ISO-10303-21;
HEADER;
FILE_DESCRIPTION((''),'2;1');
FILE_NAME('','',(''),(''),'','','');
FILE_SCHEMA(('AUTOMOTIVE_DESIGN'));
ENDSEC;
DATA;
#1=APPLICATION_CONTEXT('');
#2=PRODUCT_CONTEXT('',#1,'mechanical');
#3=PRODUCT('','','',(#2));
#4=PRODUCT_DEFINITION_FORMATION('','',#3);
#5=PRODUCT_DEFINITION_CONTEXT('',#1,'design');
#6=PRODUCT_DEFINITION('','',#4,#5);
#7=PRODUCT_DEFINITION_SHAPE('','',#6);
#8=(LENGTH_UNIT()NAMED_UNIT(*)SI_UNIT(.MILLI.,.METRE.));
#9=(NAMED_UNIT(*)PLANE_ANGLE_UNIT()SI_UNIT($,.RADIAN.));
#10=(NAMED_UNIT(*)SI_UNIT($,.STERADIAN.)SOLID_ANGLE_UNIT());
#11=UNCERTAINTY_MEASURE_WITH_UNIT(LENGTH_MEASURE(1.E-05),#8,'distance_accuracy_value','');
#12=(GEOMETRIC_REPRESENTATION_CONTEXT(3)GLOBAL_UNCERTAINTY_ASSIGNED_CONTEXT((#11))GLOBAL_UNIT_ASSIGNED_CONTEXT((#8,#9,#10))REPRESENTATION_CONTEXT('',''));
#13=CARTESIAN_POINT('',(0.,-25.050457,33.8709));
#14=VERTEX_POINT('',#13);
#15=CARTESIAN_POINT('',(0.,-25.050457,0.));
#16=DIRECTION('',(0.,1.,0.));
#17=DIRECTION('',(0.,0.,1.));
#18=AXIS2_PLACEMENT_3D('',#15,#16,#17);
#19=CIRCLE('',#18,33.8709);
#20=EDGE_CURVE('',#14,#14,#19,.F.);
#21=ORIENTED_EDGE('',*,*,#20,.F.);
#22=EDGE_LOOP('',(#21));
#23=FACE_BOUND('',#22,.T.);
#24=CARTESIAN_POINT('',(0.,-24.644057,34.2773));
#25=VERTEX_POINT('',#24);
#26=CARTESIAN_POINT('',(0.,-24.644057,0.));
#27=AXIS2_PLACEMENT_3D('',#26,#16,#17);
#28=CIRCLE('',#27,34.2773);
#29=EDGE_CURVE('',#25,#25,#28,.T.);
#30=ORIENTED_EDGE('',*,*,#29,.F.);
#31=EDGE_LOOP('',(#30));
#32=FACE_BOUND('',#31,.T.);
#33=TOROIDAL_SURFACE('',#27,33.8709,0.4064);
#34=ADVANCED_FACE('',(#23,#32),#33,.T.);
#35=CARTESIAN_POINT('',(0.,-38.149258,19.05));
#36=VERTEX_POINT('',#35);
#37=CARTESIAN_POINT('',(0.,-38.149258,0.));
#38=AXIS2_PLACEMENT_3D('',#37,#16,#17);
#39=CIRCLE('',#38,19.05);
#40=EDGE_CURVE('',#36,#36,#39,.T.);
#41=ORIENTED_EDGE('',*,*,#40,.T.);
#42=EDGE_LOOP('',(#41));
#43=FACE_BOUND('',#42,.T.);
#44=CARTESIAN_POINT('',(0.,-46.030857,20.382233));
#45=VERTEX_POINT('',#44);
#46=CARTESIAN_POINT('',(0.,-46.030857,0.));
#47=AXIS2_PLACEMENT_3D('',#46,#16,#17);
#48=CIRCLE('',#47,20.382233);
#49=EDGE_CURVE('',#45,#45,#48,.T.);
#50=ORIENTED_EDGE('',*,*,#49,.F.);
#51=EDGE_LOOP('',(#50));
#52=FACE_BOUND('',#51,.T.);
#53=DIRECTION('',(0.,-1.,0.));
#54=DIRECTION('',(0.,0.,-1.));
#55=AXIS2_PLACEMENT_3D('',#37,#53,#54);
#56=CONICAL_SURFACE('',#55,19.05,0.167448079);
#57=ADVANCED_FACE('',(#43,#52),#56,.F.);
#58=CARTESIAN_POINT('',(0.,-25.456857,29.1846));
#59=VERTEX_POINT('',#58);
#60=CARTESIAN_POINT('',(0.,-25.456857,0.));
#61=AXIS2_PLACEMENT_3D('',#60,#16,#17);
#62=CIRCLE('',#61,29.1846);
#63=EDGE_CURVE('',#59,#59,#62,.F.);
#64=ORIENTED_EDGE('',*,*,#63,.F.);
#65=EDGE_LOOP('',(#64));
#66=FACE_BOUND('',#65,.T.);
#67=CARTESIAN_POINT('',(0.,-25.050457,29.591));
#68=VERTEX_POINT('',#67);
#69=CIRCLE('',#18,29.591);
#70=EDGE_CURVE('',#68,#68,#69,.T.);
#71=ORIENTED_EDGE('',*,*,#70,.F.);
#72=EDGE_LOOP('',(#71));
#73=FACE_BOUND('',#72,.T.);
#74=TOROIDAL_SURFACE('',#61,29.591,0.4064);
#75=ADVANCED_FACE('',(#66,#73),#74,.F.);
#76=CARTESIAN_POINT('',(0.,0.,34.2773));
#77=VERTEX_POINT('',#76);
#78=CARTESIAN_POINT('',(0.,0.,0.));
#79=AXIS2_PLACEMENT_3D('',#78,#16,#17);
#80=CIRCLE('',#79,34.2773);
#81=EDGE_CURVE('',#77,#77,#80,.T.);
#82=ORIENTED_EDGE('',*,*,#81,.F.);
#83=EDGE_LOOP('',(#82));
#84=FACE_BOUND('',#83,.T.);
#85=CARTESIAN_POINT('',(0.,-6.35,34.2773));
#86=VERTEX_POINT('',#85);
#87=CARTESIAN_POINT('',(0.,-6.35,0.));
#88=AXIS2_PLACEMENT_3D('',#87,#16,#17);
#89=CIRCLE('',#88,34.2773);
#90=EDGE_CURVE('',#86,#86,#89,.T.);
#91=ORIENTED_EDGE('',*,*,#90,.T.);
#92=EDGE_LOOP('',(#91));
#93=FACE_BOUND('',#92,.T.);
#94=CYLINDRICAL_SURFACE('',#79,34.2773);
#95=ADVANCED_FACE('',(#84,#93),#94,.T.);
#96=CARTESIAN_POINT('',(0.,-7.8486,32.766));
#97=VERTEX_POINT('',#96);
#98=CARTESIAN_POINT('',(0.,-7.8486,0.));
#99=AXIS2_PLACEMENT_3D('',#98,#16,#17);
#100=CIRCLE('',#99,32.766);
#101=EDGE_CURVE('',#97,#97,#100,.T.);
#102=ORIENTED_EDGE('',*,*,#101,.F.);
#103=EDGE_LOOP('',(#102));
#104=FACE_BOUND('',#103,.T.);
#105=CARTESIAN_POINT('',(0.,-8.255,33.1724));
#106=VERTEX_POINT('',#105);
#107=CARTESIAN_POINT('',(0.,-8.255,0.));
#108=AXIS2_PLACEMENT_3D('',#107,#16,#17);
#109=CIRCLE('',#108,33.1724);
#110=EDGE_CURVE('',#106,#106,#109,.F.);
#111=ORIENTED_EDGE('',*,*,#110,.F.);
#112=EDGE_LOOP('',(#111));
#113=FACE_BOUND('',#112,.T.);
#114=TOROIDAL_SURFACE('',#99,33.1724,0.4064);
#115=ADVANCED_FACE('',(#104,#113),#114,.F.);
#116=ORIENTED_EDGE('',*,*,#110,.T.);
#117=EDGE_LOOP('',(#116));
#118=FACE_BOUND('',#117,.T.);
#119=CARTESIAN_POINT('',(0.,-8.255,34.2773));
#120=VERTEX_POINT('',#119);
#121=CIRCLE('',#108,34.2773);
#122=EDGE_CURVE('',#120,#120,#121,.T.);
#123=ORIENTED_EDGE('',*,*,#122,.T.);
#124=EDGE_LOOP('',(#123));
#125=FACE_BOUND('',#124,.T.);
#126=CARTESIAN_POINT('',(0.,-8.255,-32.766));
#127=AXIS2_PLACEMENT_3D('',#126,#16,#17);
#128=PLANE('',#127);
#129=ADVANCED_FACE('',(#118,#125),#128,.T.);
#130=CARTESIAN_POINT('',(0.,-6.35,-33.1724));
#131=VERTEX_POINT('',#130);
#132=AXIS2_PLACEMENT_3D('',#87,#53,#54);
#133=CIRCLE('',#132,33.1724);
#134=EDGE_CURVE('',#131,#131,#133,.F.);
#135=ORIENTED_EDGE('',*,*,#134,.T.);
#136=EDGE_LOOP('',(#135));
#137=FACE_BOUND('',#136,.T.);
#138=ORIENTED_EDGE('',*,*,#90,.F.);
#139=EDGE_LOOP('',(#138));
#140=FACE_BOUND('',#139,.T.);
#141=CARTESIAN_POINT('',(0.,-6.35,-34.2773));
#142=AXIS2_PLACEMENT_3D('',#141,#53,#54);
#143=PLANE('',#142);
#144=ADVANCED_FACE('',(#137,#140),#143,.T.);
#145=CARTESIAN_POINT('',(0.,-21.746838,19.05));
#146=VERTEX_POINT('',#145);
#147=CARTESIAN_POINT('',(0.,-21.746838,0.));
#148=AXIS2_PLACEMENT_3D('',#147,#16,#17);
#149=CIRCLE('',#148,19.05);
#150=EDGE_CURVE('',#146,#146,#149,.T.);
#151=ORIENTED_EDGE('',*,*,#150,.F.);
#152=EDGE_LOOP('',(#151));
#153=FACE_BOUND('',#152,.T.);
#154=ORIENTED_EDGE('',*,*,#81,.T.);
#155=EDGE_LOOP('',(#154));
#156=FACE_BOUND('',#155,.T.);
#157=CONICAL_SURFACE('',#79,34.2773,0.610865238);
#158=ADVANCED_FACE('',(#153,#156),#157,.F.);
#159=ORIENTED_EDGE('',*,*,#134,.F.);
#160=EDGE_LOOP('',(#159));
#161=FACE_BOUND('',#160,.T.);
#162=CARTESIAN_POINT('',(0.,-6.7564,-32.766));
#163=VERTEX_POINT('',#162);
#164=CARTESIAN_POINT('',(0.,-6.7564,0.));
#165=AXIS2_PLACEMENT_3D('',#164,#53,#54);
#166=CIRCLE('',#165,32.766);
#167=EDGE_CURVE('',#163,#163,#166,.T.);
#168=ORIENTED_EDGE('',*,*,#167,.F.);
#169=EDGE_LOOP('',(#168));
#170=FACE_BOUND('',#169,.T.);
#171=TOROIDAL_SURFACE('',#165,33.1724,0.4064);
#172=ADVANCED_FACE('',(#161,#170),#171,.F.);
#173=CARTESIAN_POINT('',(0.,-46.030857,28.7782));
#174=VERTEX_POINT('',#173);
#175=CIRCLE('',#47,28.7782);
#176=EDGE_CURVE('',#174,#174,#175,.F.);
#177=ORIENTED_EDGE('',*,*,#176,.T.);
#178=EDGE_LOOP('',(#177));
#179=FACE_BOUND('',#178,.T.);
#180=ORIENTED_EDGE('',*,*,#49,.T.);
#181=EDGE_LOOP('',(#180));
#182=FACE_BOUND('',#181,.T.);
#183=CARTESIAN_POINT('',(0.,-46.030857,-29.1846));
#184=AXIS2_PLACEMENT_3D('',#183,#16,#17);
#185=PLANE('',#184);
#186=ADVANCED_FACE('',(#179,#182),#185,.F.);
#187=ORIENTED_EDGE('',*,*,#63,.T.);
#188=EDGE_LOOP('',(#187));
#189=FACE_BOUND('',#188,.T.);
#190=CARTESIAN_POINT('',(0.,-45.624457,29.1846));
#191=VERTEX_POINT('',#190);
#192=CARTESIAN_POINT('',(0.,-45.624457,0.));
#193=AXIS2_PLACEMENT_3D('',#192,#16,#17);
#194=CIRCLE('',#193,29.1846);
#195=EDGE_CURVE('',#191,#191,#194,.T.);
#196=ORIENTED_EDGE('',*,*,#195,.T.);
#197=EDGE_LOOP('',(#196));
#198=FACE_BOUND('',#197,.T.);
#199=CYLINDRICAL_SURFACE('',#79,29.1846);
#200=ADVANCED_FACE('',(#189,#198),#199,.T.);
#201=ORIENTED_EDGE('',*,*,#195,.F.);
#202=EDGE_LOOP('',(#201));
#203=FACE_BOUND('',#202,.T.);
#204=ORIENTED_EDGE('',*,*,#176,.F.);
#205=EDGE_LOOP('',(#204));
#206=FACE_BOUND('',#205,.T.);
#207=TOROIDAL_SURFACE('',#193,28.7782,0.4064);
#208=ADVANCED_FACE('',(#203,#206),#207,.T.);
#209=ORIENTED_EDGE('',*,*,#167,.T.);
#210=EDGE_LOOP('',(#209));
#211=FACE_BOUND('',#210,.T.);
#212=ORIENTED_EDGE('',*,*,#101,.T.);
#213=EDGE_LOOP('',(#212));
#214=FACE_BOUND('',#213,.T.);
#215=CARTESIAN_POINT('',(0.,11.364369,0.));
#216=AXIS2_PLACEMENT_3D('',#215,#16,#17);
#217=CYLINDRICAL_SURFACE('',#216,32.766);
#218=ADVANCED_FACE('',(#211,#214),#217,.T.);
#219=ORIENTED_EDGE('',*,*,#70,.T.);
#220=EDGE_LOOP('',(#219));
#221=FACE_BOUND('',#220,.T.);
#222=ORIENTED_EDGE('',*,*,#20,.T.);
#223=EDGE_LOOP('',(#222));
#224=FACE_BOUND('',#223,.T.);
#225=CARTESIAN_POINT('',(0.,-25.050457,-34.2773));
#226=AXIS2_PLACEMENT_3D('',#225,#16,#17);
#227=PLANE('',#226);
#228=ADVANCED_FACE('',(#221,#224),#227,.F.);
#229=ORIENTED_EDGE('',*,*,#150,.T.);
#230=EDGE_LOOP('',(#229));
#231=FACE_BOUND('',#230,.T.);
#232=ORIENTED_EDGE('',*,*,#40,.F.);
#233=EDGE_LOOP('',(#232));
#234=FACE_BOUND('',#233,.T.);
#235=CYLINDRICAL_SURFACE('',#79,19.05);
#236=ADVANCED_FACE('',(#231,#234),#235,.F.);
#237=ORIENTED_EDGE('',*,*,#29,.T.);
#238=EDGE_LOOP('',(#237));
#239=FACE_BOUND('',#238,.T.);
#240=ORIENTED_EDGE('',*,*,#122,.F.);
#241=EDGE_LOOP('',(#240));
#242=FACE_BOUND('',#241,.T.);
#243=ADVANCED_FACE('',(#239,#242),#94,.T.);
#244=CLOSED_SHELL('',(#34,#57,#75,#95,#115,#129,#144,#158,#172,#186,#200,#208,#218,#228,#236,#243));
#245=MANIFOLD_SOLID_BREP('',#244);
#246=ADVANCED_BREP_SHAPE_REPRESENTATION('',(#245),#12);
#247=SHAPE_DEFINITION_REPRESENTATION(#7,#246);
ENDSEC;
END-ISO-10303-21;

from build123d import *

# Parameters (mm, degrees)
SKETCH6_W     = 1.5113
SKETCH6_H     = 1.905
TOOL_RADIUS_R = 0.4064


with BuildPart() as part:
    # Sketch4 → Revolve1 (revolve)
    with BuildSketch(Plane(origin=(0, 0, 0), x_dir=(0, 0, -1), z_dir=(1, 0, 0)), mode=Mode.PRIVATE) as revolve1_sk:
        Polygon((34.2773, 0), (19.05, -21.746838143), (19.05, -38.149257502), (20.382233443, -46.030856842), (29.1846, -46.030856842), (29.1846, -25.050456842), (34.2773, -25.050456842), align=None)
    revolve(revolve1_sk.sketch.rotate(Axis((0, 0, 0), (0, -1, 0)), 180), axis=Axis((0, 0, 0), (0, -1, 0)))

    # Sketch6 → Spring Groove (revolve, cut)
    with BuildSketch(Plane(origin=(0, 0, 0), x_dir=(0, 0, -1), z_dir=(1, 0, 0)), mode=Mode.PRIVATE) as spring_groove_sk:
        with Locations((33.52165, -7.3025)):
            Rectangle(SKETCH6_W, SKETCH6_H)
    revolve(spring_groove_sk.sketch.rotate(Axis((0, 11.364369063, 0), (0, -1, 0)), 180), axis=Axis((0, 11.364369063, 0), (0, -1, 0)), mode=Mode.SUBTRACT)

    # Tool Radius
    tool_radius_edges = [part.edges().sort_by_distance(p)[0] for p in [
        (0, -6.35, -32.766),
        (0, -8.255, -32.766),
        (0, -46.030856842, -29.1846),
        (0, -25.050456842, -29.1846),
        (0, -25.050456842, -34.2773),
    ]]
    fillet(tool_radius_edges, radius=TOOL_RADIUS_R)


solid = part.part
